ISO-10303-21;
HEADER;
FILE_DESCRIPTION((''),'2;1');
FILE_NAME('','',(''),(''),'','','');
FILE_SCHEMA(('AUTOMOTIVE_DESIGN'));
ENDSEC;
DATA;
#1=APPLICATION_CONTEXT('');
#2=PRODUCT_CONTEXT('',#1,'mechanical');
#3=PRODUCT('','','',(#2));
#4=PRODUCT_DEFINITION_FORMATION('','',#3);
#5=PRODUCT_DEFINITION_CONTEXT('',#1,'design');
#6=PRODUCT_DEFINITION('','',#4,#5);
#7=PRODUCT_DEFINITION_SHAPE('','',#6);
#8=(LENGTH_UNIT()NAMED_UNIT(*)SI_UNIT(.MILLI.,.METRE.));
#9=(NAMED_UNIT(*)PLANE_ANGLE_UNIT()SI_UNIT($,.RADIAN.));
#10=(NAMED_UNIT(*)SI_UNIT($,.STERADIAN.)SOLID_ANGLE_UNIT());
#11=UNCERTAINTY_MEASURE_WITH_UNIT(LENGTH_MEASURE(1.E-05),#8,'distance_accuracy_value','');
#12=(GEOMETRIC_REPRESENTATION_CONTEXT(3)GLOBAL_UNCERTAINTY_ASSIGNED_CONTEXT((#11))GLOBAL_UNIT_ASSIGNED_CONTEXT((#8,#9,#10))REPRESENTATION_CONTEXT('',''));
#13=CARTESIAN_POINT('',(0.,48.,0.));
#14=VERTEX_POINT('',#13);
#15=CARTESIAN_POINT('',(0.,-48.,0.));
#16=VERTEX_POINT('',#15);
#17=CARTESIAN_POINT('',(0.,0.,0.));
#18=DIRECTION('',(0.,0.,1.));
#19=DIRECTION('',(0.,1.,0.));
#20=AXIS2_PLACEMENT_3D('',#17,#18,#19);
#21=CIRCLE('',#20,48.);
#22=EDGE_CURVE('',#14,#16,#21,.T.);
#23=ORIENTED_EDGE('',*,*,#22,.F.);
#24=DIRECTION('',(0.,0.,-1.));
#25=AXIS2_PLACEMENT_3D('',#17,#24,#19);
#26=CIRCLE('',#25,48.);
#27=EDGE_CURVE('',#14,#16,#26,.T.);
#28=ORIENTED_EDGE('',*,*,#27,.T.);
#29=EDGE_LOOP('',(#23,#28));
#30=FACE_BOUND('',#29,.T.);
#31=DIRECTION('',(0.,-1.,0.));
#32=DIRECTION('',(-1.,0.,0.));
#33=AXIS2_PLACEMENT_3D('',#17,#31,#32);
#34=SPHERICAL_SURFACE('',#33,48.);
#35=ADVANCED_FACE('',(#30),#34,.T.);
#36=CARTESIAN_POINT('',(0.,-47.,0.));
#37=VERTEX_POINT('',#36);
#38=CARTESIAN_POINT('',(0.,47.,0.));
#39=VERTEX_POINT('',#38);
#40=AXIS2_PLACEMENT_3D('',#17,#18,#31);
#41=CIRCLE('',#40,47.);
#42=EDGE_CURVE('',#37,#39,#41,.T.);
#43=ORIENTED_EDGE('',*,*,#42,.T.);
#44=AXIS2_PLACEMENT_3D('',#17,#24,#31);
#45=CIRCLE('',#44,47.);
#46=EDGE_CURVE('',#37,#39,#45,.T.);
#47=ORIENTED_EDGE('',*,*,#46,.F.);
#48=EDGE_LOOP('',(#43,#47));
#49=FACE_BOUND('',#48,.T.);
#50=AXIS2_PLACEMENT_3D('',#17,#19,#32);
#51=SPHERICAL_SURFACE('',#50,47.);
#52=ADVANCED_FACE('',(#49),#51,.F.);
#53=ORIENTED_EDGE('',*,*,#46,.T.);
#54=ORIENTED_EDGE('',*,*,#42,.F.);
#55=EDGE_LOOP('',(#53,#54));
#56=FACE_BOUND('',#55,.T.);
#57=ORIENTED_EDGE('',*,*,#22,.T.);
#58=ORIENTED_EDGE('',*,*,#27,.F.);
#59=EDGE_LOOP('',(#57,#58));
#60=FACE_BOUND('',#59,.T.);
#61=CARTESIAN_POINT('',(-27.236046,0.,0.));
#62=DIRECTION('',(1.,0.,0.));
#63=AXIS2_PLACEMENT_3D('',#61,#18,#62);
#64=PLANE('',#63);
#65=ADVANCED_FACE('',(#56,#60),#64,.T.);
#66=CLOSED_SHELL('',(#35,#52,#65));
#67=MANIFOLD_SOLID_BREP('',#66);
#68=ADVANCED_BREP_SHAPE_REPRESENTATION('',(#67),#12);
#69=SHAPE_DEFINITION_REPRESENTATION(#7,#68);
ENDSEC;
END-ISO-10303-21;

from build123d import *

# Parameters (mm, degrees)
F1_ANGLE = 180


with BuildPart() as f1:
    # F0 (on Top) → F1 (revolve)
    with BuildSketch(Plane.XY):
        with BuildLine():
            Line((0, 47), (0, 48))
            ThreePointArc((0, 48), (-48, 0), (0, -48))
            Line((0, -48), (0, -47))
            ThreePointArc((0, -47), (-47, 0), (0, 47))
        make_face()
    revolve(axis=Axis((0, 47.5, 0), (0, -1, 0)), revolution_arc=F1_ANGLE)


solid = f1.part
